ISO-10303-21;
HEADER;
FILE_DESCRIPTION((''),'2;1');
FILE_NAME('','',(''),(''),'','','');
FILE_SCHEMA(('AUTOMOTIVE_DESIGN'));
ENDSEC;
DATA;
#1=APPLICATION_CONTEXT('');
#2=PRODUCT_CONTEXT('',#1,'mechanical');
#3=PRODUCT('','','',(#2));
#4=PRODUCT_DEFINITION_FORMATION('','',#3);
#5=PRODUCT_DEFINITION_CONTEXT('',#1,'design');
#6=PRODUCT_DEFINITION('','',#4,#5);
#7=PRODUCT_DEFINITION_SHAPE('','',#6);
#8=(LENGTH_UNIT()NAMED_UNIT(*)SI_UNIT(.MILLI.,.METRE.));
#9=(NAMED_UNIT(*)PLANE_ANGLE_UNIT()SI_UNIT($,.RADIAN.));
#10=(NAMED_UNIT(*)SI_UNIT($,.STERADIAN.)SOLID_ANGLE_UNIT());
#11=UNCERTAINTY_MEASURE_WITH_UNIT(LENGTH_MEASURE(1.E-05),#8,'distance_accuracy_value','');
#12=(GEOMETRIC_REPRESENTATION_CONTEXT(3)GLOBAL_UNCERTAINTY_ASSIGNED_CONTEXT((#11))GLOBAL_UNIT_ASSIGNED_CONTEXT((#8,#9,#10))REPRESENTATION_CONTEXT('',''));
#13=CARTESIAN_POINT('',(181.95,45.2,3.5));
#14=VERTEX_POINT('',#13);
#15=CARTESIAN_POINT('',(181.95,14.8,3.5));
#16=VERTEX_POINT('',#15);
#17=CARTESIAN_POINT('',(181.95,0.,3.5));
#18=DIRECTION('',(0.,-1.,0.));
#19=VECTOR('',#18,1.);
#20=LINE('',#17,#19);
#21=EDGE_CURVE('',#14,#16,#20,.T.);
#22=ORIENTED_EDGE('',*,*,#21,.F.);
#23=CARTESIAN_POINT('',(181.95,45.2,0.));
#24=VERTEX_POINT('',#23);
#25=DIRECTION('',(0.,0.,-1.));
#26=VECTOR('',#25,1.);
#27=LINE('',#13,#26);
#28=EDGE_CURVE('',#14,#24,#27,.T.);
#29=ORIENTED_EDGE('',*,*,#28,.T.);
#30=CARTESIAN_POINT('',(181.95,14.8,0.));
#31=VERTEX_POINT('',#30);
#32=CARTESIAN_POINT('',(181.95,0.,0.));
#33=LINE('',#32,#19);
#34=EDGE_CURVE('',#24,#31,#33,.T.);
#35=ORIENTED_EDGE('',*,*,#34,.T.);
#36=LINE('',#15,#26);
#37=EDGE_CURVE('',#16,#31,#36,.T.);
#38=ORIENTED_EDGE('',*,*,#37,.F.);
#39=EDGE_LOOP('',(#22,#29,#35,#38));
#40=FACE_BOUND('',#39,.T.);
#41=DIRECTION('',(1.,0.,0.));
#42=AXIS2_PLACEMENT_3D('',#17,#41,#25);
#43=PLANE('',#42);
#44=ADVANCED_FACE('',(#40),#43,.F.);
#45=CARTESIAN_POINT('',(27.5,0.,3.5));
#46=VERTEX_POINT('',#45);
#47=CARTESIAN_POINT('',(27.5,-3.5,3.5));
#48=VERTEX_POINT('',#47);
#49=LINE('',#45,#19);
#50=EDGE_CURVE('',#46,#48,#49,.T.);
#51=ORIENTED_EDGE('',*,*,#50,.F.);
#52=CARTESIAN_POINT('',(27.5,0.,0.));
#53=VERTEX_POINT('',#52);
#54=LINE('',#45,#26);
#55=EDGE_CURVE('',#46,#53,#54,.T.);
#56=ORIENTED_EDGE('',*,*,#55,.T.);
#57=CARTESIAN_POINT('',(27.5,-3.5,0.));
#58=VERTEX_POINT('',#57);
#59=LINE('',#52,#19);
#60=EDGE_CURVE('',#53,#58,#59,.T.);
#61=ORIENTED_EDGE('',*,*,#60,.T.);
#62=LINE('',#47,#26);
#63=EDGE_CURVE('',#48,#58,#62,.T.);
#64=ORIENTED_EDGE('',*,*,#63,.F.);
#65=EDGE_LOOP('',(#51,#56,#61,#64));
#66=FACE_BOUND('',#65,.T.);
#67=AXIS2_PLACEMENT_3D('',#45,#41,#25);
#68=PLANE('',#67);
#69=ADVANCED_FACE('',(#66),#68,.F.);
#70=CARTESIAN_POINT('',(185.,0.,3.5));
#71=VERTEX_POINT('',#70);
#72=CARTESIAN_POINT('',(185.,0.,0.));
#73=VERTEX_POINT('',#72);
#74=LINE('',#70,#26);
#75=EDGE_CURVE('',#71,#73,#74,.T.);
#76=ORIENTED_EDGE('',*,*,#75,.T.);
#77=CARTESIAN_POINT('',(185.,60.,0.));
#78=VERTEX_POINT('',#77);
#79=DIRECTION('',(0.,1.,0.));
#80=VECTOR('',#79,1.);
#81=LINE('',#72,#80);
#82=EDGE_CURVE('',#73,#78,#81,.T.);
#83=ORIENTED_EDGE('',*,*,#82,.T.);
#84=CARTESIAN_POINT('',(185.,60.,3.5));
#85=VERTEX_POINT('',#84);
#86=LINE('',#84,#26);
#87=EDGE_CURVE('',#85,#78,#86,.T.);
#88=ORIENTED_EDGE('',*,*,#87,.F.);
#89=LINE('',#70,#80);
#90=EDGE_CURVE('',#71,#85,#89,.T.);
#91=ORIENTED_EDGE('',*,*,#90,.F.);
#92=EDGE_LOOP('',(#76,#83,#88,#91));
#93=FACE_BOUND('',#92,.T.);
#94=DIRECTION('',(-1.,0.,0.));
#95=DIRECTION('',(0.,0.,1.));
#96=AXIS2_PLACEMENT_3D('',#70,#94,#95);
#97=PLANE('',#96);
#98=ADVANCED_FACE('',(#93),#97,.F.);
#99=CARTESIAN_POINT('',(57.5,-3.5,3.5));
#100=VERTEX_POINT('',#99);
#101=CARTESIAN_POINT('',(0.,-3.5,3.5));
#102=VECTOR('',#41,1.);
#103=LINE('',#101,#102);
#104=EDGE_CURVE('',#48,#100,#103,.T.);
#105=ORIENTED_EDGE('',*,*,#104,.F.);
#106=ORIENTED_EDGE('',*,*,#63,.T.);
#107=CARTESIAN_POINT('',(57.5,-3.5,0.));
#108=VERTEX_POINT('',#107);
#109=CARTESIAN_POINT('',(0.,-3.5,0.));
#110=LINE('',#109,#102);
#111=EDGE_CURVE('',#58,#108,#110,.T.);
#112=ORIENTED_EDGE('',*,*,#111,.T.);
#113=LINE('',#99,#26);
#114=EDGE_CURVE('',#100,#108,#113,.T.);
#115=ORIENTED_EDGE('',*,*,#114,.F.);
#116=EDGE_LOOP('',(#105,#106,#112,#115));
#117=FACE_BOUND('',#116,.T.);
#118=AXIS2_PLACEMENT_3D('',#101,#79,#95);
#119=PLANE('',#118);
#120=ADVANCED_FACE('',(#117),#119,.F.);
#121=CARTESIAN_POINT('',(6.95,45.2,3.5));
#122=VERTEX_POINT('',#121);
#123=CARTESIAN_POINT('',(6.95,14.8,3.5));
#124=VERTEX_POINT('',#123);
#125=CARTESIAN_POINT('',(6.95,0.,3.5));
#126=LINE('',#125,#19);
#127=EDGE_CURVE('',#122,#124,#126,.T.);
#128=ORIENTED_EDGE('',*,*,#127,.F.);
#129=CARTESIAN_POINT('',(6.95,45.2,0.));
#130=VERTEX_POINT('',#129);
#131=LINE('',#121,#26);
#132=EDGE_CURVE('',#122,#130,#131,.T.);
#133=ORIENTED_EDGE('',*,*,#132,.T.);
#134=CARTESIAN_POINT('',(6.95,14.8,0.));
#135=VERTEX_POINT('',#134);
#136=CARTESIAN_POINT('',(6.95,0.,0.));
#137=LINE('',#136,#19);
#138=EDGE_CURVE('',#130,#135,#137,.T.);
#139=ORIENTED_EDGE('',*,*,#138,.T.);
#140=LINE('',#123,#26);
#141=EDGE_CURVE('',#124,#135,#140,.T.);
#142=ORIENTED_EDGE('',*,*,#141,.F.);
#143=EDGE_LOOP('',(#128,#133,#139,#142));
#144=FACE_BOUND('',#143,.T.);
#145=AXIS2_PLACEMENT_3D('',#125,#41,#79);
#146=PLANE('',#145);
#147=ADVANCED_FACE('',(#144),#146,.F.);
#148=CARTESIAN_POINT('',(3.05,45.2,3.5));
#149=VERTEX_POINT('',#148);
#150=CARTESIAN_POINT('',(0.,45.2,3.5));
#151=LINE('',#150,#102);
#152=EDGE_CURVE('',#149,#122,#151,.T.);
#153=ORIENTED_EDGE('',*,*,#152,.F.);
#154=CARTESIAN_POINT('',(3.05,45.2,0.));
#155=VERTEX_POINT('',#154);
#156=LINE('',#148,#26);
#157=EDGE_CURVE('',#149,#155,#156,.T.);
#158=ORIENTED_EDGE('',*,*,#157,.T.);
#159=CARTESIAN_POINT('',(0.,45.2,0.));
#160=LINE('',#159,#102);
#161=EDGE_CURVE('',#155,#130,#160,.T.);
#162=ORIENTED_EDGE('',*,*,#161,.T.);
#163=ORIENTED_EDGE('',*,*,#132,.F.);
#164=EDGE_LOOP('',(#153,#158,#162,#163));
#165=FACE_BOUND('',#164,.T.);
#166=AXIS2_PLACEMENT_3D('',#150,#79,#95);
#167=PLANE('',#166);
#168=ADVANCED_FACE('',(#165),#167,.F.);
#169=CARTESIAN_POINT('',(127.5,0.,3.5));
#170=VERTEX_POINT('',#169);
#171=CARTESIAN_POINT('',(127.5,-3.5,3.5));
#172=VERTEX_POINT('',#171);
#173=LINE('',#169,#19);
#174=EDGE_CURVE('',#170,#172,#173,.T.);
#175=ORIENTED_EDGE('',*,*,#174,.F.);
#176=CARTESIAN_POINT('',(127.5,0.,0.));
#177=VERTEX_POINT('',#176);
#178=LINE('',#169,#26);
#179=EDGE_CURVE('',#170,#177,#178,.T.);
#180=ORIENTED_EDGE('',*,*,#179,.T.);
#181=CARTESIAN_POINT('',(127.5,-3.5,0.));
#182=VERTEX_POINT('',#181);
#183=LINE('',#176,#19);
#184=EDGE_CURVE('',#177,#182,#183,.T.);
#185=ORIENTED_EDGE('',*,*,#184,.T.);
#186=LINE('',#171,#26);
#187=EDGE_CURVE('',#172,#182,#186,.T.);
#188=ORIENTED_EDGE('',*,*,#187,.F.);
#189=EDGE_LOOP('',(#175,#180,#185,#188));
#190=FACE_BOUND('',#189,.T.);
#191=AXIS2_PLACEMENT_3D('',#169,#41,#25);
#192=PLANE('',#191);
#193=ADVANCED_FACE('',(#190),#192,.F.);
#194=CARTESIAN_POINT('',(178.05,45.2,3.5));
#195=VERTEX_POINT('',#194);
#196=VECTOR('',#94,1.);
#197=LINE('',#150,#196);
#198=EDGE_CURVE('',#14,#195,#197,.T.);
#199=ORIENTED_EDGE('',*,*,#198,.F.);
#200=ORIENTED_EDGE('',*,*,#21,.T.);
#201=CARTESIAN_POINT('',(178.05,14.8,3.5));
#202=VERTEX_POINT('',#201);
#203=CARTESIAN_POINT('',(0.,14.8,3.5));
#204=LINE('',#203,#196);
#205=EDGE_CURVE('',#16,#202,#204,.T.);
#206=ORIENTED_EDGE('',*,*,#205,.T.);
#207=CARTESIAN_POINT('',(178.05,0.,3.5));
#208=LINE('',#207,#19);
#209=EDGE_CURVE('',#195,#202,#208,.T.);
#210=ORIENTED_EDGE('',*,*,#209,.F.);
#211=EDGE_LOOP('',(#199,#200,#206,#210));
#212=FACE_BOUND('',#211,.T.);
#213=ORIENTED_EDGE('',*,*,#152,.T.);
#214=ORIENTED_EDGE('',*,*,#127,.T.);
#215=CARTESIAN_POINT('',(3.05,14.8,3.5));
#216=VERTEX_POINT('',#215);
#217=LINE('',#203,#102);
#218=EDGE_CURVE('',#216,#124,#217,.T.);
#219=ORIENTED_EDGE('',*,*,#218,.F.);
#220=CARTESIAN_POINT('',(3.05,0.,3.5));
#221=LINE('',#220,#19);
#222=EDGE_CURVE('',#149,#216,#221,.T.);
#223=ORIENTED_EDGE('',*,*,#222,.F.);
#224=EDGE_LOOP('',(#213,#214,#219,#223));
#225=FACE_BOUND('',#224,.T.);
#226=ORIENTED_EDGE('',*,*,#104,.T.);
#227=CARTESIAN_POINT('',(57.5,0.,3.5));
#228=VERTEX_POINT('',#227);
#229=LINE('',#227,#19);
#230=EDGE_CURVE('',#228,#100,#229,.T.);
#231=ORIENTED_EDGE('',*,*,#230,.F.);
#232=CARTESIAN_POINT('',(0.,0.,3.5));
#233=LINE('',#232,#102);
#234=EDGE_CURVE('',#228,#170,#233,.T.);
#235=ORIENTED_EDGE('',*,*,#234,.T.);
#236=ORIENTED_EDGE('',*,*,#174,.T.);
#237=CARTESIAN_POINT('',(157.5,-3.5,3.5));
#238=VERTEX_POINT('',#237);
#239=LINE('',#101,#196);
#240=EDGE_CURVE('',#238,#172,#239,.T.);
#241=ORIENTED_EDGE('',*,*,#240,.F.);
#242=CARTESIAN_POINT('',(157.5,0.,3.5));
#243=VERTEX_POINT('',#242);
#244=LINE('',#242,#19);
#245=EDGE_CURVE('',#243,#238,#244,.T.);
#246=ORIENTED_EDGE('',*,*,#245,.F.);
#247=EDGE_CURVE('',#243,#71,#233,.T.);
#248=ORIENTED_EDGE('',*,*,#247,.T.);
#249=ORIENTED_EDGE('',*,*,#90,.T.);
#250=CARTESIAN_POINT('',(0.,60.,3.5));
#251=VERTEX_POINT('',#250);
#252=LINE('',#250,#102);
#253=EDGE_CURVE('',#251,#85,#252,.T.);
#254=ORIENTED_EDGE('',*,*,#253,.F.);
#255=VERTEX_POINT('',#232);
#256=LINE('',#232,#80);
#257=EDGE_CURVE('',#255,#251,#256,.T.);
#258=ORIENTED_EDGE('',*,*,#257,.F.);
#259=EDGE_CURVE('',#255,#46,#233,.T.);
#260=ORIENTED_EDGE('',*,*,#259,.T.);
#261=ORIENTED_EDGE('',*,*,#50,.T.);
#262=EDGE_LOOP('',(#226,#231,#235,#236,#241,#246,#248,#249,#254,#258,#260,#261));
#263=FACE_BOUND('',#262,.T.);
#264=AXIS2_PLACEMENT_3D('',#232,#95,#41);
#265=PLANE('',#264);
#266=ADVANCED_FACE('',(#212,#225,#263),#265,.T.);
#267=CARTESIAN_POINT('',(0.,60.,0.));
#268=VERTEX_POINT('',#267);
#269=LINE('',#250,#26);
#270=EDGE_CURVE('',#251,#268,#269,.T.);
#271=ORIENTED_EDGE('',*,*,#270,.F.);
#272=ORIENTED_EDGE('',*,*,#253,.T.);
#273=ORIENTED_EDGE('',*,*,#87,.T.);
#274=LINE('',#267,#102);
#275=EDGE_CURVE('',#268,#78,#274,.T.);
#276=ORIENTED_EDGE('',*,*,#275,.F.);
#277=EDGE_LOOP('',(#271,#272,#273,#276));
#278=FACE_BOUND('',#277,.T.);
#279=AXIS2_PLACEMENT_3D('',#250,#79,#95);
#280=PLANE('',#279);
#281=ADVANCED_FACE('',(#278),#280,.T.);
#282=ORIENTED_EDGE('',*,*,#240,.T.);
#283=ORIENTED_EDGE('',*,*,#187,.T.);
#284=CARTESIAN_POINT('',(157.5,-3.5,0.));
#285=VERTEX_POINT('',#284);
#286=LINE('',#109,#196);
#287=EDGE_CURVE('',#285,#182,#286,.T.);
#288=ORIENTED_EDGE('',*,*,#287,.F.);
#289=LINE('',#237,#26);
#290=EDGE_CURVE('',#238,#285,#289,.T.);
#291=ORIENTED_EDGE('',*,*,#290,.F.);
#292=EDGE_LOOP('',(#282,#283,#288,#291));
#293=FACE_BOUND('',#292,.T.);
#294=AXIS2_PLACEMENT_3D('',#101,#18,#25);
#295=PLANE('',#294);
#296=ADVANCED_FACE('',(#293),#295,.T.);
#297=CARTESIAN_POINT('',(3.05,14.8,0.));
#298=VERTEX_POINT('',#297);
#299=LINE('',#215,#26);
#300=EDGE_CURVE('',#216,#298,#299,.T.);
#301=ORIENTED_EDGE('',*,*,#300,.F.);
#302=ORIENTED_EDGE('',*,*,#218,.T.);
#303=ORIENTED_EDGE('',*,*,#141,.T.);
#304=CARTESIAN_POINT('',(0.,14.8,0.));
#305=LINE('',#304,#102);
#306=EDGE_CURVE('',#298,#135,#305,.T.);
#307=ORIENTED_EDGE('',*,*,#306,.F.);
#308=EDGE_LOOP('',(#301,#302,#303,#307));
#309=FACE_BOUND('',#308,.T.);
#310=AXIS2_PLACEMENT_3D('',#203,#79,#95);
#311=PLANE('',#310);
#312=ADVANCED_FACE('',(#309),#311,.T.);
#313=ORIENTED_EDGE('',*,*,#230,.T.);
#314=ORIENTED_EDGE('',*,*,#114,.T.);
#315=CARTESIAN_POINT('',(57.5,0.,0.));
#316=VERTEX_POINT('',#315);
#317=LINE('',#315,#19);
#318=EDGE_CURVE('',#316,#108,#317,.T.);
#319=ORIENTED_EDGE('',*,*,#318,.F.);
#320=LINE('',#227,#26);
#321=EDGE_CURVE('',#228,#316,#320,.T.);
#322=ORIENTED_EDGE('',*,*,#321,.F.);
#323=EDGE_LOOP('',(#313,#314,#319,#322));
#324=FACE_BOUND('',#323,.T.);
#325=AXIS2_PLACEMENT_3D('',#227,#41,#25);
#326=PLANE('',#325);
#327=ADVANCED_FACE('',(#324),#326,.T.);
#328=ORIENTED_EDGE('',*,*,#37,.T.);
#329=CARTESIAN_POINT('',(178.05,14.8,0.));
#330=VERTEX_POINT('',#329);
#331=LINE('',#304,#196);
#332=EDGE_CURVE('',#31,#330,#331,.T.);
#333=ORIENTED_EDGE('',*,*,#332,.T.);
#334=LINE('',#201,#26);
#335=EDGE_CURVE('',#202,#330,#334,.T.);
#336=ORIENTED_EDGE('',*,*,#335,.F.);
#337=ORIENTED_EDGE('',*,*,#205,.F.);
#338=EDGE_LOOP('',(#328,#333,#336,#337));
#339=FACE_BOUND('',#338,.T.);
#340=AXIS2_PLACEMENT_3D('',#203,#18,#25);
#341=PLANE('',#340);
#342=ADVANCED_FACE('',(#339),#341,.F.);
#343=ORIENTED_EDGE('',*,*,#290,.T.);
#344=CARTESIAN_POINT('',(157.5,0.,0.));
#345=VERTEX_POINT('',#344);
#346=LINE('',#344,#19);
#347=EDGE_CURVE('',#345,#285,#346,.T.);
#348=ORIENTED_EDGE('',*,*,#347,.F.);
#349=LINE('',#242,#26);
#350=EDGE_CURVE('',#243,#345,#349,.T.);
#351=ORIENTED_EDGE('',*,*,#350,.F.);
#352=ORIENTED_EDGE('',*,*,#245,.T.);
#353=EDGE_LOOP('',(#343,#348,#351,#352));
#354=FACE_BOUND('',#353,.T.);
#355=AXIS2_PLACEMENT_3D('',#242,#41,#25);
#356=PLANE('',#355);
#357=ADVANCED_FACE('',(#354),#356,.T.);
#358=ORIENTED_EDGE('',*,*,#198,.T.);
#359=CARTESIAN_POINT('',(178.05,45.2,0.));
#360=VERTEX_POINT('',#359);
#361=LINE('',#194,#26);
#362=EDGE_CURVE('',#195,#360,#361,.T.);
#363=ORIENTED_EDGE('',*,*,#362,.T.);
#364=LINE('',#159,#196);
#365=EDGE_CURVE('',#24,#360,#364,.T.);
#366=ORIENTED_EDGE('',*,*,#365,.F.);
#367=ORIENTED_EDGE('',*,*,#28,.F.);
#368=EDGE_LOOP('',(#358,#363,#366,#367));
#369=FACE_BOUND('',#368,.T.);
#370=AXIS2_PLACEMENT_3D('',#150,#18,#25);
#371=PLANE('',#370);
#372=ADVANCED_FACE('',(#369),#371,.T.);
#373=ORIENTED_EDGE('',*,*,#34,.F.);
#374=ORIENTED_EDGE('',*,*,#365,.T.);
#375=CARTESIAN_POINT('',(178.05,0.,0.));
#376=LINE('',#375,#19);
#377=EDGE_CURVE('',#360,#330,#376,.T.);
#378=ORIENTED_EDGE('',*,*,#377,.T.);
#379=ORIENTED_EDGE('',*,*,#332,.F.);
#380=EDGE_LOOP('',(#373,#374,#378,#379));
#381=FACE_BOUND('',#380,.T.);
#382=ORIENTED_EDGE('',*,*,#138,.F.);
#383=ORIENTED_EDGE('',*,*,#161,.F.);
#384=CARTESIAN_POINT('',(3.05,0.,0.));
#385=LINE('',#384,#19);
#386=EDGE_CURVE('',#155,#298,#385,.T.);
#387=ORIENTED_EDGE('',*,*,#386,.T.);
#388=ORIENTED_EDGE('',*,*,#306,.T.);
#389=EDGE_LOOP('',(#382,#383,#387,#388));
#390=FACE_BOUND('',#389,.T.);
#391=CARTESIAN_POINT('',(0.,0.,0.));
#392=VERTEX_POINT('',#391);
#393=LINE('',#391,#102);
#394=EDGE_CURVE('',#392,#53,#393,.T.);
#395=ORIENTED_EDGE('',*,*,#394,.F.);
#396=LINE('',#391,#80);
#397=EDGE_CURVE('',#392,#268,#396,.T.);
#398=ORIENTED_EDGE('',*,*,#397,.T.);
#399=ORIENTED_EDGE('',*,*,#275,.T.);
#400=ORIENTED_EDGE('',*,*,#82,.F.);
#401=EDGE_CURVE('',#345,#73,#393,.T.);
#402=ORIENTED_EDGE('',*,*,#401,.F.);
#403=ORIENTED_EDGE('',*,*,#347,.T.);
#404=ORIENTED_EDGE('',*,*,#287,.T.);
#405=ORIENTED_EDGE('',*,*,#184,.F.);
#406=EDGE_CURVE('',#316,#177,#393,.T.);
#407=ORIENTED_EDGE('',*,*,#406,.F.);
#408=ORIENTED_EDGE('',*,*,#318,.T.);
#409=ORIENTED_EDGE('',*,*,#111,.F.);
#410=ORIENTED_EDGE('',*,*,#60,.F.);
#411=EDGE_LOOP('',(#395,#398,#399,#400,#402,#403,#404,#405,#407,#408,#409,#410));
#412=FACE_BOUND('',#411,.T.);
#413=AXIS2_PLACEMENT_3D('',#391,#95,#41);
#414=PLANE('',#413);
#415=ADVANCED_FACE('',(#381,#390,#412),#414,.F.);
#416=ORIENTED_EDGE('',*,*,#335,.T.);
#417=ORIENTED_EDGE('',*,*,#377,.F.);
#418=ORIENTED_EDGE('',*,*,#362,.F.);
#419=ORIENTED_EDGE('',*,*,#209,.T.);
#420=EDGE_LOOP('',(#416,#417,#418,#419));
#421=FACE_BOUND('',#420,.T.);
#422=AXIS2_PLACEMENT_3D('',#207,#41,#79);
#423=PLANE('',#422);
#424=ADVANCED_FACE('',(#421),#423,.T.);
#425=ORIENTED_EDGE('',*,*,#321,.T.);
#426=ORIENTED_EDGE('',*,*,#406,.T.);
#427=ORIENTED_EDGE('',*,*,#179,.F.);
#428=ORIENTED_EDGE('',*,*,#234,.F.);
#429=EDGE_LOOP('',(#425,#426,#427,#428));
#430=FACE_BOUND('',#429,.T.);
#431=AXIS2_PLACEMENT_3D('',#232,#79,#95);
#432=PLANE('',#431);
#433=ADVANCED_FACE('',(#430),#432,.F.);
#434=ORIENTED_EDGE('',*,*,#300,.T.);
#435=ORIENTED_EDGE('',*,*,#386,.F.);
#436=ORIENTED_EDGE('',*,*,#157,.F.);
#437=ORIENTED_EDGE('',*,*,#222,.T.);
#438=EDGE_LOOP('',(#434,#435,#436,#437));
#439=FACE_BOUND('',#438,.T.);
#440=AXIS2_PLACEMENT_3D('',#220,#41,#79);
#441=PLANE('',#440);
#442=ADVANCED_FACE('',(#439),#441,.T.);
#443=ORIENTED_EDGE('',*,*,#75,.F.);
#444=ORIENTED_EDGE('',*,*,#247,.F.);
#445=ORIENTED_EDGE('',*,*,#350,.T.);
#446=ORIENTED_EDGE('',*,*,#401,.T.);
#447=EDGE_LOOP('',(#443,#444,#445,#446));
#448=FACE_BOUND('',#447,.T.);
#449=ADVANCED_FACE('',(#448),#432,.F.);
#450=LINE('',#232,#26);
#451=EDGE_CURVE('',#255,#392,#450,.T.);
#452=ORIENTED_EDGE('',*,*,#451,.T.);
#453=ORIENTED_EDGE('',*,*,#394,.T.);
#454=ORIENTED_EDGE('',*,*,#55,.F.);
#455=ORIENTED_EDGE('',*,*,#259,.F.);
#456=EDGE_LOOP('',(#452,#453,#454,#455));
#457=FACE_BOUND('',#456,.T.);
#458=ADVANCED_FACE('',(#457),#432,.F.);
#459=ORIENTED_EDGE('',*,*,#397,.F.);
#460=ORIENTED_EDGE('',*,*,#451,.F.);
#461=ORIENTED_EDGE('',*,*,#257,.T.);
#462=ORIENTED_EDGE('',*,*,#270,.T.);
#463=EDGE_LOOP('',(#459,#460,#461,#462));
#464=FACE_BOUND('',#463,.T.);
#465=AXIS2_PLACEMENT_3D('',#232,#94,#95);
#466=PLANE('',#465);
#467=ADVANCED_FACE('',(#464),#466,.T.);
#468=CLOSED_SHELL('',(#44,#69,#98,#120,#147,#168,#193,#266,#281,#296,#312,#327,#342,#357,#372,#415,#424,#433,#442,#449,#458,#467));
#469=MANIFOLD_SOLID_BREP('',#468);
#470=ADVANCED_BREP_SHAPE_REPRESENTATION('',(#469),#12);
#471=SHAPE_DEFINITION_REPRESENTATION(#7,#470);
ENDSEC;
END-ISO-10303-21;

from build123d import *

# Parameters (mm, degrees)
SKETCH_1_W      = 185
SKETCH_1_H      = 60
SKETCH_1_W_2    = 3.9
SKETCH_1_H_2    = 30.4
SKETCH_1_W_3    = 30
SKETCH_1_H_3    = 3.5
EXTRUDE_1_DEPTH = 3.5


with BuildPart() as part:
    # Эскиз1 → Бобышка-Вытянуть1 (new body)
    # profile 1 of 3: a face of its own
    with BuildSketch(Plane.XY):
        with Locations((92.5, 30)):
            Rectangle(SKETCH_1_W, SKETCH_1_H)
        with Locations((180, 30)):
            Rectangle(SKETCH_1_W_2, SKETCH_1_H_2, mode=Mode.SUBTRACT)
        with Locations((5, 30)):
            Rectangle(SKETCH_1_W_2, SKETCH_1_H_2, mode=Mode.SUBTRACT)
    # profile 2 of 3: a face of its own
    with BuildSketch(Plane.XY):
        with Locations((42.5, -1.75)):
            Rectangle(SKETCH_1_W_3, SKETCH_1_H_3)
    # profile 3 of 3: a face of its own
    with BuildSketch(Plane.XY):
        with Locations((142.5, -1.75)):
            Rectangle(SKETCH_1_W_3, SKETCH_1_H_3)
    extrude(amount=EXTRUDE_1_DEPTH)


solid = part.part
